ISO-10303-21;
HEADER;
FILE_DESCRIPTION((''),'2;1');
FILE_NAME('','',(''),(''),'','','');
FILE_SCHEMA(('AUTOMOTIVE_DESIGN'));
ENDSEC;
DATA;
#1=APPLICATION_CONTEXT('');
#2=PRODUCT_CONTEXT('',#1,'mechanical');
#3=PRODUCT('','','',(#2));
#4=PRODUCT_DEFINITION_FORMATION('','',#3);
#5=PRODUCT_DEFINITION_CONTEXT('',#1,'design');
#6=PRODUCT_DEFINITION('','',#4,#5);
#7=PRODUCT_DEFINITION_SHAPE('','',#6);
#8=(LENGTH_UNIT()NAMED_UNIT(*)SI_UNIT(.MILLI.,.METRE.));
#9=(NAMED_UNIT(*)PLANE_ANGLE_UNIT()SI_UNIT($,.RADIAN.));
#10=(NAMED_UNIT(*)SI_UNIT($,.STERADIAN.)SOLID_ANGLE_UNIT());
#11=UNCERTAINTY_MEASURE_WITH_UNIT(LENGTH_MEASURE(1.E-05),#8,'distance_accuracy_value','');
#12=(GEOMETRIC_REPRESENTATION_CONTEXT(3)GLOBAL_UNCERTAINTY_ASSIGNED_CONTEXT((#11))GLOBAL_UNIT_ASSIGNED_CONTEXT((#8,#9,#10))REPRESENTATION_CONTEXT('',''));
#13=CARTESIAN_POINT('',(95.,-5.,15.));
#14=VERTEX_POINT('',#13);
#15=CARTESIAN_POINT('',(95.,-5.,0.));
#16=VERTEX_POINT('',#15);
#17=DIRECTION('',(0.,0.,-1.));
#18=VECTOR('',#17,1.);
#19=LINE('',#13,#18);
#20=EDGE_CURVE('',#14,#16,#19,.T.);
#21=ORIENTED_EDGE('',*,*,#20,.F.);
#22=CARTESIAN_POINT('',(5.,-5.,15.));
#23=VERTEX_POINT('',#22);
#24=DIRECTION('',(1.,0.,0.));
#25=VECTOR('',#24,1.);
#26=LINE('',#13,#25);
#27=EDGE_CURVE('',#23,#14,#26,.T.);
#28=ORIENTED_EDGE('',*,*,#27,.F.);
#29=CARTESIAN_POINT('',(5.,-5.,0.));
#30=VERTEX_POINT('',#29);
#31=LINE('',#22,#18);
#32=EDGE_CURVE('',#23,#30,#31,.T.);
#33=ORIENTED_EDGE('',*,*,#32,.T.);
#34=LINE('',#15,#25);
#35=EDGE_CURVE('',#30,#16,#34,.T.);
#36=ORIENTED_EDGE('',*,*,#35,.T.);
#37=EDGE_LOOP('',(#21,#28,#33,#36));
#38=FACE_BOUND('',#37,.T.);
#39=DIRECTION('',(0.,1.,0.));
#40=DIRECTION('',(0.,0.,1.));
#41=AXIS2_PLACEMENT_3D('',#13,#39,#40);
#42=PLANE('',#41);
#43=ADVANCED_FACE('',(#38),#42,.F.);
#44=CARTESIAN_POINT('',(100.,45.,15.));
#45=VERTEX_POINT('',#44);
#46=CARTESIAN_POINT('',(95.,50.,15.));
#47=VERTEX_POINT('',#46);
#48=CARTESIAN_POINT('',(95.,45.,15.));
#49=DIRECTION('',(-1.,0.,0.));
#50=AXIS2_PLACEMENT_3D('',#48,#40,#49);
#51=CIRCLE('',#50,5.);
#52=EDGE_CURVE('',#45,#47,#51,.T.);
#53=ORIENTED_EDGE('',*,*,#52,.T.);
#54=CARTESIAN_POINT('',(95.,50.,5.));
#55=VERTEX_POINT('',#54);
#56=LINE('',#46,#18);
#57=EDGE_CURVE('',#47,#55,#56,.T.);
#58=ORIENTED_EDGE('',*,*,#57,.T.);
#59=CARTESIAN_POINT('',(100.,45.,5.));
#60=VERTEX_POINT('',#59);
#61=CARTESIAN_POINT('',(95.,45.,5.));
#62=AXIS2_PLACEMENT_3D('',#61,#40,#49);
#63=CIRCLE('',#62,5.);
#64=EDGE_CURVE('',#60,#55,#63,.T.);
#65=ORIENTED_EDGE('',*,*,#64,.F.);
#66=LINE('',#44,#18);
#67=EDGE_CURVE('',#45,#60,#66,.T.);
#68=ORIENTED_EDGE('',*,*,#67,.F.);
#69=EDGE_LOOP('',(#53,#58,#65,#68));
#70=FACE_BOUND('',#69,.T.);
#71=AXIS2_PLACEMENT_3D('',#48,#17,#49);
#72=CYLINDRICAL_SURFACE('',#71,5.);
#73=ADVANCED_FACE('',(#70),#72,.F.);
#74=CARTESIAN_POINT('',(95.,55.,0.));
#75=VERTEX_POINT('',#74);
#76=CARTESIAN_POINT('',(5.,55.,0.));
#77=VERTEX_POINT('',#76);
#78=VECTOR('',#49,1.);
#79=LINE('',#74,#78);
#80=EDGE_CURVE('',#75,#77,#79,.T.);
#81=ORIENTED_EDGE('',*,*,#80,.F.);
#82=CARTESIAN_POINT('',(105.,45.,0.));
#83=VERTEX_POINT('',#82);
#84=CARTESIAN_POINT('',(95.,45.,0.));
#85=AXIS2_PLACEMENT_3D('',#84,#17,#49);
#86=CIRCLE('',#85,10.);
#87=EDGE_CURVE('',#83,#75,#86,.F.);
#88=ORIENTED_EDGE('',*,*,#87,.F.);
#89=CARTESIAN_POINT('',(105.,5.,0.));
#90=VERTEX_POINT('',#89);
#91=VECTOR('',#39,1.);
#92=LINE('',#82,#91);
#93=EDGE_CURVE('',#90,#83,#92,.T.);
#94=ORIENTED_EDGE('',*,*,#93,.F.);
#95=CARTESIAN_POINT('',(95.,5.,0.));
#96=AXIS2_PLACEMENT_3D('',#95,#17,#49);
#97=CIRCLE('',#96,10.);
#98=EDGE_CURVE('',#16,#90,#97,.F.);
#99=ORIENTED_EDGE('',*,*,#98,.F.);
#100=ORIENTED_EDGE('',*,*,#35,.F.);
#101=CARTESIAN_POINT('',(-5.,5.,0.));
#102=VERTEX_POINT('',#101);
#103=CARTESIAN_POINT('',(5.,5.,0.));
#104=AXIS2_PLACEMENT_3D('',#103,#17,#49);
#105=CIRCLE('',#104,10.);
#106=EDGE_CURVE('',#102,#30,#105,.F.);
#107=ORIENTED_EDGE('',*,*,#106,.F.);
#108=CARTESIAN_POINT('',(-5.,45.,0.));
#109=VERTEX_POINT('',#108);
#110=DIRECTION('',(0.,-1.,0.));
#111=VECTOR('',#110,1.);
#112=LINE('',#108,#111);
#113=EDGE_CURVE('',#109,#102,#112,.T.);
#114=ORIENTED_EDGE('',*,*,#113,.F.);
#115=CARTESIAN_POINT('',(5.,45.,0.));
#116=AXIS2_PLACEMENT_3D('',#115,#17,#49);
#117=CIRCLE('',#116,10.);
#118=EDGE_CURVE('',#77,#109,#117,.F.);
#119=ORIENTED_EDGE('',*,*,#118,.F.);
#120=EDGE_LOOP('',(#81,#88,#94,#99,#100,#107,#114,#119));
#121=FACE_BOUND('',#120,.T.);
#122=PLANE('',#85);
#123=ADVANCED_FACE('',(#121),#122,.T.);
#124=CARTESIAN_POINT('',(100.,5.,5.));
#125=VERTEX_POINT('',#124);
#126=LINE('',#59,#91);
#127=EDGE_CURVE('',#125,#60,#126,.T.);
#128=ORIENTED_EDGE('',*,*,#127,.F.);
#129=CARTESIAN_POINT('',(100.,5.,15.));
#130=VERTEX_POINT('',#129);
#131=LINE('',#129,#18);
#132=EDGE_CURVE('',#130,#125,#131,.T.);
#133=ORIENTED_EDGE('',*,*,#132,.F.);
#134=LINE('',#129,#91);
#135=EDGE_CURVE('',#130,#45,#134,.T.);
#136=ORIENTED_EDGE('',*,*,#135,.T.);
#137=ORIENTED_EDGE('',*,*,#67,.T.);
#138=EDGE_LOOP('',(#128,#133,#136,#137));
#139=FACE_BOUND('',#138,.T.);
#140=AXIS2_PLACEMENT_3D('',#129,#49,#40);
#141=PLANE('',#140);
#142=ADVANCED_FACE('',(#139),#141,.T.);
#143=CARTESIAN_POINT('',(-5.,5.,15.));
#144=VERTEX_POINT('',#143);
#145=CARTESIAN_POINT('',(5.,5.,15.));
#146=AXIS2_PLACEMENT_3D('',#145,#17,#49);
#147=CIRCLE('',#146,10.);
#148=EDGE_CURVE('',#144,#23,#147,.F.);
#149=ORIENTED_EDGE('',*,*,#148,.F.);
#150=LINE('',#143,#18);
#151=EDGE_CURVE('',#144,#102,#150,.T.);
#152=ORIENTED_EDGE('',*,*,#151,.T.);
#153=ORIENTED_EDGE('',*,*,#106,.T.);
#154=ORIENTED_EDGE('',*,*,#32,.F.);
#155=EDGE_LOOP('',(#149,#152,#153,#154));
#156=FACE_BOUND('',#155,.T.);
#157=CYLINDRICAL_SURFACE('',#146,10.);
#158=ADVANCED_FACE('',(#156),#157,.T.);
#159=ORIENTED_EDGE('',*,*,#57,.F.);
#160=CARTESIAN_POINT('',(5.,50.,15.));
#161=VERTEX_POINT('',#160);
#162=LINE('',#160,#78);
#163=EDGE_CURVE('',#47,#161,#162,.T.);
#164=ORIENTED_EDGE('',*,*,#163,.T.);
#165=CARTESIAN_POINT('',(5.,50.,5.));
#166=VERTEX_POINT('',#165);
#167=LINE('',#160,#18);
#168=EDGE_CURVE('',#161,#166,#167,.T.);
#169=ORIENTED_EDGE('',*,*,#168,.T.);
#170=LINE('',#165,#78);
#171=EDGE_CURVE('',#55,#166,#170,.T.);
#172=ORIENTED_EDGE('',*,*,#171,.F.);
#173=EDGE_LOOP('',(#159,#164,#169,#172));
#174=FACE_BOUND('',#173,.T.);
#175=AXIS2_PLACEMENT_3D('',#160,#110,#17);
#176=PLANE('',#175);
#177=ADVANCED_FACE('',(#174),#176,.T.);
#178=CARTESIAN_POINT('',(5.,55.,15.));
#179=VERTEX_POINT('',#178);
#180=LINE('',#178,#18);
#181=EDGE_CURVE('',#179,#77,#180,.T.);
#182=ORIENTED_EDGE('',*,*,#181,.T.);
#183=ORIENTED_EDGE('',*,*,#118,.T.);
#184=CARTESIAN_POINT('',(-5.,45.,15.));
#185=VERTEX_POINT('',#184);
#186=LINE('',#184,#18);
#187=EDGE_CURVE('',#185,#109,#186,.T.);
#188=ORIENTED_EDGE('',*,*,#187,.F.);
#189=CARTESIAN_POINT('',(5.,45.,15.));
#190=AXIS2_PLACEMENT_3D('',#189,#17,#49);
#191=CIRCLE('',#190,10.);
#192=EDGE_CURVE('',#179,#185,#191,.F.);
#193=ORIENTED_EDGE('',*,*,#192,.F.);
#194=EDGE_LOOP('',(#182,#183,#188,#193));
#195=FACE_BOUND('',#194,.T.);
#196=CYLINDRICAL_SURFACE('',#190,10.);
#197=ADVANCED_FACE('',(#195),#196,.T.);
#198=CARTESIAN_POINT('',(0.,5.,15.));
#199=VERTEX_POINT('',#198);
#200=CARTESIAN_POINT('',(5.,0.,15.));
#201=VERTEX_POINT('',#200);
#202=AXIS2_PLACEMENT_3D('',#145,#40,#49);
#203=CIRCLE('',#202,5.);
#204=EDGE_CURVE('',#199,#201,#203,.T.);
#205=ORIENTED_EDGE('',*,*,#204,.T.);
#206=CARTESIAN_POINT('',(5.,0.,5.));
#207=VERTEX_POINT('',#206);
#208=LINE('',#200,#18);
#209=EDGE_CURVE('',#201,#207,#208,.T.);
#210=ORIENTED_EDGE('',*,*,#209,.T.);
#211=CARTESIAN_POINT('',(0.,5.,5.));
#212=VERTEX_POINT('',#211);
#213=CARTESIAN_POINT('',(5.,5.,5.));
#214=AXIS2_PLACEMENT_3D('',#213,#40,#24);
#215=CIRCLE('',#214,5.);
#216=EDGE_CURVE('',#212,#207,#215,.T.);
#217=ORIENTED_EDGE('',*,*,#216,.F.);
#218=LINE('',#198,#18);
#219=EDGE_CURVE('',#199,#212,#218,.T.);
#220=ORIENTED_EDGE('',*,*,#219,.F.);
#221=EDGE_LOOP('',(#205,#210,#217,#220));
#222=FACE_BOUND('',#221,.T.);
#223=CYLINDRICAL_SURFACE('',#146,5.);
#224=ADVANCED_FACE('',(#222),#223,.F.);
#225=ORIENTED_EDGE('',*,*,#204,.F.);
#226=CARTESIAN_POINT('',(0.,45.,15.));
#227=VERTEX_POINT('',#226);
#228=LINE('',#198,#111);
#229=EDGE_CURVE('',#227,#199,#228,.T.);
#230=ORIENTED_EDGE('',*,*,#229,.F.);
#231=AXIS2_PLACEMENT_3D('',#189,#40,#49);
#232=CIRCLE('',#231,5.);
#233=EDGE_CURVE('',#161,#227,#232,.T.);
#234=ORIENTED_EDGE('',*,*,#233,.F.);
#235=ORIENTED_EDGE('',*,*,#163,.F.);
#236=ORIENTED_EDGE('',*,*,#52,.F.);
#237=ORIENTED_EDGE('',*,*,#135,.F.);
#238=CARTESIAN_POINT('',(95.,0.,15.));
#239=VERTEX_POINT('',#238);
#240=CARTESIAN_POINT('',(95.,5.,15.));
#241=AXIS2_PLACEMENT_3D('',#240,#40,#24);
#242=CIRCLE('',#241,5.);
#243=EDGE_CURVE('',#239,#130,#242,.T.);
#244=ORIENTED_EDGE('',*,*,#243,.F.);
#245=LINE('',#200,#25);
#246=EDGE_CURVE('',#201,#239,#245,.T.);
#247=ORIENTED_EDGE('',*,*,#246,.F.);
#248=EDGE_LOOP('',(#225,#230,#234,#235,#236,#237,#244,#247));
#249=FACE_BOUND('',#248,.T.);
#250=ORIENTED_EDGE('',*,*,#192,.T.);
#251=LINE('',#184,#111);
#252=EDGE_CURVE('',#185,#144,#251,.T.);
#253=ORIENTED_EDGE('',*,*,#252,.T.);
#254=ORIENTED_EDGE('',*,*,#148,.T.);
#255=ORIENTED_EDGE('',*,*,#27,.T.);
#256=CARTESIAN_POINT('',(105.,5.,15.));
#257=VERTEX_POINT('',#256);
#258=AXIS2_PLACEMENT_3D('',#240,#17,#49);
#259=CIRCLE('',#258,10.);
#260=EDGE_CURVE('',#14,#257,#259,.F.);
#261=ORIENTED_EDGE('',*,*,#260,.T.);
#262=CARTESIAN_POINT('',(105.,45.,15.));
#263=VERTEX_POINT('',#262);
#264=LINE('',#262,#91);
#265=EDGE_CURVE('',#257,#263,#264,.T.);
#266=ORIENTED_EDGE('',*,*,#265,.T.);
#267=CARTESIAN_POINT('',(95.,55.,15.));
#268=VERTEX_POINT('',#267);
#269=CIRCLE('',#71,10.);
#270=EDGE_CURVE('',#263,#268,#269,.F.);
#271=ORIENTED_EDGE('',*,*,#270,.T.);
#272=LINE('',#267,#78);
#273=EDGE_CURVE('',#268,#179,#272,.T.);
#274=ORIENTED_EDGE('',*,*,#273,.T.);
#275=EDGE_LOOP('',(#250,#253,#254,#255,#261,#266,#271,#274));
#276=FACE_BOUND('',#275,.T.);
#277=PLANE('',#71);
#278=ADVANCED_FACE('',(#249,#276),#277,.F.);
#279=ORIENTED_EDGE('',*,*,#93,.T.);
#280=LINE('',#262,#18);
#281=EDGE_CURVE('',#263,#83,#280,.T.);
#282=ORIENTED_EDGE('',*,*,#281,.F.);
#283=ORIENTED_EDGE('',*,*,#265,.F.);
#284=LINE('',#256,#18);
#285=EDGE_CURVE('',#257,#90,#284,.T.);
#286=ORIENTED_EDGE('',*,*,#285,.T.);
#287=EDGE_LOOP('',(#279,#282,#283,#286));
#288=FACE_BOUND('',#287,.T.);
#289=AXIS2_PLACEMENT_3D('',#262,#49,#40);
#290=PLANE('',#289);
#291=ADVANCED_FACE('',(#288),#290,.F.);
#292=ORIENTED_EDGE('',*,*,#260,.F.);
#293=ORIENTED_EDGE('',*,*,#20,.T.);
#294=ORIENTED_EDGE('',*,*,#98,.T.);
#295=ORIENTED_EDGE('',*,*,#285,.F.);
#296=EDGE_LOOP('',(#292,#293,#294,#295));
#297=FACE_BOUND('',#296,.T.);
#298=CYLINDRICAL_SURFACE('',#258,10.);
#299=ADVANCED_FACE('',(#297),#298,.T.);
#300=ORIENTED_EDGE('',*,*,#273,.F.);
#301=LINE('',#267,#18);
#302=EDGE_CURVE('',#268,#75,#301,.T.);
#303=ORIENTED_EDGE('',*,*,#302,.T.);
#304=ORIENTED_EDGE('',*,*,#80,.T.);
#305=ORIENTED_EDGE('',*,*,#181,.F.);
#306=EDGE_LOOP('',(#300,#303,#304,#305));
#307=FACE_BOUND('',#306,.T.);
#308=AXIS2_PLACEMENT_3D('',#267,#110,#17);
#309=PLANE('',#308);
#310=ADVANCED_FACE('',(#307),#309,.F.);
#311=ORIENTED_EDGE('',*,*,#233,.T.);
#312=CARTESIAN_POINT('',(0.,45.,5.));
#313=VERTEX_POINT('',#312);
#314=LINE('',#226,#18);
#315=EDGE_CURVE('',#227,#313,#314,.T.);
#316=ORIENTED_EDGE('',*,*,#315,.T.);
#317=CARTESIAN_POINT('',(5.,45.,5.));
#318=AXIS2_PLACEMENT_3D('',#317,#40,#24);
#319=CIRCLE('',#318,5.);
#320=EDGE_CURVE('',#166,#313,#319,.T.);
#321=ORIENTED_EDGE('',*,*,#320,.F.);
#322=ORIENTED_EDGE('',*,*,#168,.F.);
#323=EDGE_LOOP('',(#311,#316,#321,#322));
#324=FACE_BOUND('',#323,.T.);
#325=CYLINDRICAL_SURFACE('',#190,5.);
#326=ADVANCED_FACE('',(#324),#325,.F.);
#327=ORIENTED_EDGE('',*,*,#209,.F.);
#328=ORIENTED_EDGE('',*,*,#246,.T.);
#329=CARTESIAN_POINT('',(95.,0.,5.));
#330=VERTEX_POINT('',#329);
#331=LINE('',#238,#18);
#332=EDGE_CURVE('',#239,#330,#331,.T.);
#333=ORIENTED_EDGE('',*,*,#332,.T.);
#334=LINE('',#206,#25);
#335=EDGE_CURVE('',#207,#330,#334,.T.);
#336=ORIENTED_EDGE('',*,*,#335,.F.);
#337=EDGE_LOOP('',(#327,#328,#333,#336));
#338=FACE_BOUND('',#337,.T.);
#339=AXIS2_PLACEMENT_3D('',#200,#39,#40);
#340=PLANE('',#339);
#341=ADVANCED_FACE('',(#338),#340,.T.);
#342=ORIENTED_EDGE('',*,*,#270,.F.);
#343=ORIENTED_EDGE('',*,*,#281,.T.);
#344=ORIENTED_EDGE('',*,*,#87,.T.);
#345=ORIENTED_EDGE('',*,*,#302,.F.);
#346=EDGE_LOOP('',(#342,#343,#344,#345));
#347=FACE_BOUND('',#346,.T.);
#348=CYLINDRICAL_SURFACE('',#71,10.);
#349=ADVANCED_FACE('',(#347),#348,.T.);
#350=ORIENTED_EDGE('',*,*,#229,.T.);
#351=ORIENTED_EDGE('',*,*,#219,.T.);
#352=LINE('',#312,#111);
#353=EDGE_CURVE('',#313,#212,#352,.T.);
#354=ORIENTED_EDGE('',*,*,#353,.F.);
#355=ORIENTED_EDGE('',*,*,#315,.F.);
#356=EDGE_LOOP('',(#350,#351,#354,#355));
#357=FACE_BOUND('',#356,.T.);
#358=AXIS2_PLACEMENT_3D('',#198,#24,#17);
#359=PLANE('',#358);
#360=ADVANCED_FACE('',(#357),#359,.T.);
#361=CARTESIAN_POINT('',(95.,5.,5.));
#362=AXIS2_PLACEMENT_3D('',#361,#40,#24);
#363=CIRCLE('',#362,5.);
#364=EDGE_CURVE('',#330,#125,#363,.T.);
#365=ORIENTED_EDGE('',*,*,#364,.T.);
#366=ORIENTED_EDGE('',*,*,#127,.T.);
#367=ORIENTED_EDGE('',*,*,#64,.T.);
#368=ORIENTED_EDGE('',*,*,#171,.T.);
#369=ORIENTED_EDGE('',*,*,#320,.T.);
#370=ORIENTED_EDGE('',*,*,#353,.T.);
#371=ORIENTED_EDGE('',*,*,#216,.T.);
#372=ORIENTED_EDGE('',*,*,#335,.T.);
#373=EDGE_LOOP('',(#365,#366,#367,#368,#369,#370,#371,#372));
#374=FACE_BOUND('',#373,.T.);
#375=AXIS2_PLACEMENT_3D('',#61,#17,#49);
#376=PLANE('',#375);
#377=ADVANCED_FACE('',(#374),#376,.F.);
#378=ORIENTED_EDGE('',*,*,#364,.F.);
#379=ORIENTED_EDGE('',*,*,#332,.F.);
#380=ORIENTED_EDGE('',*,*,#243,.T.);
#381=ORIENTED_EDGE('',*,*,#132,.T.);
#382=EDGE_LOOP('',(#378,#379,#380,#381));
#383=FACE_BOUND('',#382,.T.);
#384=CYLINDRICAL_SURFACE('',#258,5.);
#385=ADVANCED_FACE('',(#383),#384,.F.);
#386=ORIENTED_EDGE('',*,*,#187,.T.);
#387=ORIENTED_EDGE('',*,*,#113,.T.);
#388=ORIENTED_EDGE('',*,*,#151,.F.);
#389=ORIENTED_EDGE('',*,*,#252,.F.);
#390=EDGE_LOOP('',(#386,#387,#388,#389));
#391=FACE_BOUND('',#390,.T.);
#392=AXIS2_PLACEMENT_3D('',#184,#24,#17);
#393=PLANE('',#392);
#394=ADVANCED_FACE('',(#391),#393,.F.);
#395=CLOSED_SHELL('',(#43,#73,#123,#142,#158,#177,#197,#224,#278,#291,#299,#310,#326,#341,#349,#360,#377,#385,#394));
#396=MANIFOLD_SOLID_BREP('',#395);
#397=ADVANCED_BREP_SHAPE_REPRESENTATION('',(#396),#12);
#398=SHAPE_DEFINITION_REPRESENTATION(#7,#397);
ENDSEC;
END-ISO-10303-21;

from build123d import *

# Parameters (mm, degrees)
EXTRU_MINCE3_DEPTH = 15
BOSS_EXTRU_2_DEPTH = 5


with BuildPart() as part:
    # Esquisse1 → Extru.-Mince3 (new body)
    with BuildSketch(Plane.XY):
        with BuildLine():
            Line((5, -5), (95, -5))
            ThreePointArc((95, -5), (102.071067812, -2.071067812), (105, 5))
            Line((105, 5), (105, 45))
            ThreePointArc((105, 45), (102.071067812, 52.071067812), (95, 55))
            Line((95, 55), (5, 55))
            ThreePointArc((5, 55), (-2.071067812, 52.071067812), (-5, 45))
            Line((-5, 45), (-5, 5))
            ThreePointArc((-5, 5), (-2.071067812, -2.071067812), (5, -5))
        make_face()
        with BuildLine():
            Line((5, 0), (95, 0))
            ThreePointArc((95, 0), (98.535533906, 1.464466094), (100, 5))
            Line((100, 5), (100, 45))
            ThreePointArc((100, 45), (98.535533906, 48.535533906), (95, 50))
            Line((95, 50), (5, 50))
            ThreePointArc((5, 50), (1.464466094, 48.535533906), (0, 45))
            Line((0, 45), (0, 5))
            ThreePointArc((0, 5), (1.464466094, 1.464466094), (5, 0))
        make_face(mode=Mode.SUBTRACT)
    extrude(amount=EXTRU_MINCE3_DEPTH)

    # Esquisse2 → Boss.-Extru.2 (add)
    with BuildSketch(Plane.XY):
        with BuildLine():
            Line((5, 50), (95, 50))
            ThreePointArc((95, 50), (98.535533906, 48.535533906), (100, 45))
            Line((100, 45), (100, 5))
            ThreePointArc((100, 5), (98.535533906, 1.464466094), (95, 0))
            Line((95, 0), (5, 0))
            ThreePointArc((5, 0), (1.464466094, 1.464466094), (0, 5))
            Line((0, 5), (0, 45))
            ThreePointArc((0, 45), (1.464466094, 48.535533906), (5, 50))
        make_face()
    extrude(amount=BOSS_EXTRU_2_DEPTH)


solid = part.part
